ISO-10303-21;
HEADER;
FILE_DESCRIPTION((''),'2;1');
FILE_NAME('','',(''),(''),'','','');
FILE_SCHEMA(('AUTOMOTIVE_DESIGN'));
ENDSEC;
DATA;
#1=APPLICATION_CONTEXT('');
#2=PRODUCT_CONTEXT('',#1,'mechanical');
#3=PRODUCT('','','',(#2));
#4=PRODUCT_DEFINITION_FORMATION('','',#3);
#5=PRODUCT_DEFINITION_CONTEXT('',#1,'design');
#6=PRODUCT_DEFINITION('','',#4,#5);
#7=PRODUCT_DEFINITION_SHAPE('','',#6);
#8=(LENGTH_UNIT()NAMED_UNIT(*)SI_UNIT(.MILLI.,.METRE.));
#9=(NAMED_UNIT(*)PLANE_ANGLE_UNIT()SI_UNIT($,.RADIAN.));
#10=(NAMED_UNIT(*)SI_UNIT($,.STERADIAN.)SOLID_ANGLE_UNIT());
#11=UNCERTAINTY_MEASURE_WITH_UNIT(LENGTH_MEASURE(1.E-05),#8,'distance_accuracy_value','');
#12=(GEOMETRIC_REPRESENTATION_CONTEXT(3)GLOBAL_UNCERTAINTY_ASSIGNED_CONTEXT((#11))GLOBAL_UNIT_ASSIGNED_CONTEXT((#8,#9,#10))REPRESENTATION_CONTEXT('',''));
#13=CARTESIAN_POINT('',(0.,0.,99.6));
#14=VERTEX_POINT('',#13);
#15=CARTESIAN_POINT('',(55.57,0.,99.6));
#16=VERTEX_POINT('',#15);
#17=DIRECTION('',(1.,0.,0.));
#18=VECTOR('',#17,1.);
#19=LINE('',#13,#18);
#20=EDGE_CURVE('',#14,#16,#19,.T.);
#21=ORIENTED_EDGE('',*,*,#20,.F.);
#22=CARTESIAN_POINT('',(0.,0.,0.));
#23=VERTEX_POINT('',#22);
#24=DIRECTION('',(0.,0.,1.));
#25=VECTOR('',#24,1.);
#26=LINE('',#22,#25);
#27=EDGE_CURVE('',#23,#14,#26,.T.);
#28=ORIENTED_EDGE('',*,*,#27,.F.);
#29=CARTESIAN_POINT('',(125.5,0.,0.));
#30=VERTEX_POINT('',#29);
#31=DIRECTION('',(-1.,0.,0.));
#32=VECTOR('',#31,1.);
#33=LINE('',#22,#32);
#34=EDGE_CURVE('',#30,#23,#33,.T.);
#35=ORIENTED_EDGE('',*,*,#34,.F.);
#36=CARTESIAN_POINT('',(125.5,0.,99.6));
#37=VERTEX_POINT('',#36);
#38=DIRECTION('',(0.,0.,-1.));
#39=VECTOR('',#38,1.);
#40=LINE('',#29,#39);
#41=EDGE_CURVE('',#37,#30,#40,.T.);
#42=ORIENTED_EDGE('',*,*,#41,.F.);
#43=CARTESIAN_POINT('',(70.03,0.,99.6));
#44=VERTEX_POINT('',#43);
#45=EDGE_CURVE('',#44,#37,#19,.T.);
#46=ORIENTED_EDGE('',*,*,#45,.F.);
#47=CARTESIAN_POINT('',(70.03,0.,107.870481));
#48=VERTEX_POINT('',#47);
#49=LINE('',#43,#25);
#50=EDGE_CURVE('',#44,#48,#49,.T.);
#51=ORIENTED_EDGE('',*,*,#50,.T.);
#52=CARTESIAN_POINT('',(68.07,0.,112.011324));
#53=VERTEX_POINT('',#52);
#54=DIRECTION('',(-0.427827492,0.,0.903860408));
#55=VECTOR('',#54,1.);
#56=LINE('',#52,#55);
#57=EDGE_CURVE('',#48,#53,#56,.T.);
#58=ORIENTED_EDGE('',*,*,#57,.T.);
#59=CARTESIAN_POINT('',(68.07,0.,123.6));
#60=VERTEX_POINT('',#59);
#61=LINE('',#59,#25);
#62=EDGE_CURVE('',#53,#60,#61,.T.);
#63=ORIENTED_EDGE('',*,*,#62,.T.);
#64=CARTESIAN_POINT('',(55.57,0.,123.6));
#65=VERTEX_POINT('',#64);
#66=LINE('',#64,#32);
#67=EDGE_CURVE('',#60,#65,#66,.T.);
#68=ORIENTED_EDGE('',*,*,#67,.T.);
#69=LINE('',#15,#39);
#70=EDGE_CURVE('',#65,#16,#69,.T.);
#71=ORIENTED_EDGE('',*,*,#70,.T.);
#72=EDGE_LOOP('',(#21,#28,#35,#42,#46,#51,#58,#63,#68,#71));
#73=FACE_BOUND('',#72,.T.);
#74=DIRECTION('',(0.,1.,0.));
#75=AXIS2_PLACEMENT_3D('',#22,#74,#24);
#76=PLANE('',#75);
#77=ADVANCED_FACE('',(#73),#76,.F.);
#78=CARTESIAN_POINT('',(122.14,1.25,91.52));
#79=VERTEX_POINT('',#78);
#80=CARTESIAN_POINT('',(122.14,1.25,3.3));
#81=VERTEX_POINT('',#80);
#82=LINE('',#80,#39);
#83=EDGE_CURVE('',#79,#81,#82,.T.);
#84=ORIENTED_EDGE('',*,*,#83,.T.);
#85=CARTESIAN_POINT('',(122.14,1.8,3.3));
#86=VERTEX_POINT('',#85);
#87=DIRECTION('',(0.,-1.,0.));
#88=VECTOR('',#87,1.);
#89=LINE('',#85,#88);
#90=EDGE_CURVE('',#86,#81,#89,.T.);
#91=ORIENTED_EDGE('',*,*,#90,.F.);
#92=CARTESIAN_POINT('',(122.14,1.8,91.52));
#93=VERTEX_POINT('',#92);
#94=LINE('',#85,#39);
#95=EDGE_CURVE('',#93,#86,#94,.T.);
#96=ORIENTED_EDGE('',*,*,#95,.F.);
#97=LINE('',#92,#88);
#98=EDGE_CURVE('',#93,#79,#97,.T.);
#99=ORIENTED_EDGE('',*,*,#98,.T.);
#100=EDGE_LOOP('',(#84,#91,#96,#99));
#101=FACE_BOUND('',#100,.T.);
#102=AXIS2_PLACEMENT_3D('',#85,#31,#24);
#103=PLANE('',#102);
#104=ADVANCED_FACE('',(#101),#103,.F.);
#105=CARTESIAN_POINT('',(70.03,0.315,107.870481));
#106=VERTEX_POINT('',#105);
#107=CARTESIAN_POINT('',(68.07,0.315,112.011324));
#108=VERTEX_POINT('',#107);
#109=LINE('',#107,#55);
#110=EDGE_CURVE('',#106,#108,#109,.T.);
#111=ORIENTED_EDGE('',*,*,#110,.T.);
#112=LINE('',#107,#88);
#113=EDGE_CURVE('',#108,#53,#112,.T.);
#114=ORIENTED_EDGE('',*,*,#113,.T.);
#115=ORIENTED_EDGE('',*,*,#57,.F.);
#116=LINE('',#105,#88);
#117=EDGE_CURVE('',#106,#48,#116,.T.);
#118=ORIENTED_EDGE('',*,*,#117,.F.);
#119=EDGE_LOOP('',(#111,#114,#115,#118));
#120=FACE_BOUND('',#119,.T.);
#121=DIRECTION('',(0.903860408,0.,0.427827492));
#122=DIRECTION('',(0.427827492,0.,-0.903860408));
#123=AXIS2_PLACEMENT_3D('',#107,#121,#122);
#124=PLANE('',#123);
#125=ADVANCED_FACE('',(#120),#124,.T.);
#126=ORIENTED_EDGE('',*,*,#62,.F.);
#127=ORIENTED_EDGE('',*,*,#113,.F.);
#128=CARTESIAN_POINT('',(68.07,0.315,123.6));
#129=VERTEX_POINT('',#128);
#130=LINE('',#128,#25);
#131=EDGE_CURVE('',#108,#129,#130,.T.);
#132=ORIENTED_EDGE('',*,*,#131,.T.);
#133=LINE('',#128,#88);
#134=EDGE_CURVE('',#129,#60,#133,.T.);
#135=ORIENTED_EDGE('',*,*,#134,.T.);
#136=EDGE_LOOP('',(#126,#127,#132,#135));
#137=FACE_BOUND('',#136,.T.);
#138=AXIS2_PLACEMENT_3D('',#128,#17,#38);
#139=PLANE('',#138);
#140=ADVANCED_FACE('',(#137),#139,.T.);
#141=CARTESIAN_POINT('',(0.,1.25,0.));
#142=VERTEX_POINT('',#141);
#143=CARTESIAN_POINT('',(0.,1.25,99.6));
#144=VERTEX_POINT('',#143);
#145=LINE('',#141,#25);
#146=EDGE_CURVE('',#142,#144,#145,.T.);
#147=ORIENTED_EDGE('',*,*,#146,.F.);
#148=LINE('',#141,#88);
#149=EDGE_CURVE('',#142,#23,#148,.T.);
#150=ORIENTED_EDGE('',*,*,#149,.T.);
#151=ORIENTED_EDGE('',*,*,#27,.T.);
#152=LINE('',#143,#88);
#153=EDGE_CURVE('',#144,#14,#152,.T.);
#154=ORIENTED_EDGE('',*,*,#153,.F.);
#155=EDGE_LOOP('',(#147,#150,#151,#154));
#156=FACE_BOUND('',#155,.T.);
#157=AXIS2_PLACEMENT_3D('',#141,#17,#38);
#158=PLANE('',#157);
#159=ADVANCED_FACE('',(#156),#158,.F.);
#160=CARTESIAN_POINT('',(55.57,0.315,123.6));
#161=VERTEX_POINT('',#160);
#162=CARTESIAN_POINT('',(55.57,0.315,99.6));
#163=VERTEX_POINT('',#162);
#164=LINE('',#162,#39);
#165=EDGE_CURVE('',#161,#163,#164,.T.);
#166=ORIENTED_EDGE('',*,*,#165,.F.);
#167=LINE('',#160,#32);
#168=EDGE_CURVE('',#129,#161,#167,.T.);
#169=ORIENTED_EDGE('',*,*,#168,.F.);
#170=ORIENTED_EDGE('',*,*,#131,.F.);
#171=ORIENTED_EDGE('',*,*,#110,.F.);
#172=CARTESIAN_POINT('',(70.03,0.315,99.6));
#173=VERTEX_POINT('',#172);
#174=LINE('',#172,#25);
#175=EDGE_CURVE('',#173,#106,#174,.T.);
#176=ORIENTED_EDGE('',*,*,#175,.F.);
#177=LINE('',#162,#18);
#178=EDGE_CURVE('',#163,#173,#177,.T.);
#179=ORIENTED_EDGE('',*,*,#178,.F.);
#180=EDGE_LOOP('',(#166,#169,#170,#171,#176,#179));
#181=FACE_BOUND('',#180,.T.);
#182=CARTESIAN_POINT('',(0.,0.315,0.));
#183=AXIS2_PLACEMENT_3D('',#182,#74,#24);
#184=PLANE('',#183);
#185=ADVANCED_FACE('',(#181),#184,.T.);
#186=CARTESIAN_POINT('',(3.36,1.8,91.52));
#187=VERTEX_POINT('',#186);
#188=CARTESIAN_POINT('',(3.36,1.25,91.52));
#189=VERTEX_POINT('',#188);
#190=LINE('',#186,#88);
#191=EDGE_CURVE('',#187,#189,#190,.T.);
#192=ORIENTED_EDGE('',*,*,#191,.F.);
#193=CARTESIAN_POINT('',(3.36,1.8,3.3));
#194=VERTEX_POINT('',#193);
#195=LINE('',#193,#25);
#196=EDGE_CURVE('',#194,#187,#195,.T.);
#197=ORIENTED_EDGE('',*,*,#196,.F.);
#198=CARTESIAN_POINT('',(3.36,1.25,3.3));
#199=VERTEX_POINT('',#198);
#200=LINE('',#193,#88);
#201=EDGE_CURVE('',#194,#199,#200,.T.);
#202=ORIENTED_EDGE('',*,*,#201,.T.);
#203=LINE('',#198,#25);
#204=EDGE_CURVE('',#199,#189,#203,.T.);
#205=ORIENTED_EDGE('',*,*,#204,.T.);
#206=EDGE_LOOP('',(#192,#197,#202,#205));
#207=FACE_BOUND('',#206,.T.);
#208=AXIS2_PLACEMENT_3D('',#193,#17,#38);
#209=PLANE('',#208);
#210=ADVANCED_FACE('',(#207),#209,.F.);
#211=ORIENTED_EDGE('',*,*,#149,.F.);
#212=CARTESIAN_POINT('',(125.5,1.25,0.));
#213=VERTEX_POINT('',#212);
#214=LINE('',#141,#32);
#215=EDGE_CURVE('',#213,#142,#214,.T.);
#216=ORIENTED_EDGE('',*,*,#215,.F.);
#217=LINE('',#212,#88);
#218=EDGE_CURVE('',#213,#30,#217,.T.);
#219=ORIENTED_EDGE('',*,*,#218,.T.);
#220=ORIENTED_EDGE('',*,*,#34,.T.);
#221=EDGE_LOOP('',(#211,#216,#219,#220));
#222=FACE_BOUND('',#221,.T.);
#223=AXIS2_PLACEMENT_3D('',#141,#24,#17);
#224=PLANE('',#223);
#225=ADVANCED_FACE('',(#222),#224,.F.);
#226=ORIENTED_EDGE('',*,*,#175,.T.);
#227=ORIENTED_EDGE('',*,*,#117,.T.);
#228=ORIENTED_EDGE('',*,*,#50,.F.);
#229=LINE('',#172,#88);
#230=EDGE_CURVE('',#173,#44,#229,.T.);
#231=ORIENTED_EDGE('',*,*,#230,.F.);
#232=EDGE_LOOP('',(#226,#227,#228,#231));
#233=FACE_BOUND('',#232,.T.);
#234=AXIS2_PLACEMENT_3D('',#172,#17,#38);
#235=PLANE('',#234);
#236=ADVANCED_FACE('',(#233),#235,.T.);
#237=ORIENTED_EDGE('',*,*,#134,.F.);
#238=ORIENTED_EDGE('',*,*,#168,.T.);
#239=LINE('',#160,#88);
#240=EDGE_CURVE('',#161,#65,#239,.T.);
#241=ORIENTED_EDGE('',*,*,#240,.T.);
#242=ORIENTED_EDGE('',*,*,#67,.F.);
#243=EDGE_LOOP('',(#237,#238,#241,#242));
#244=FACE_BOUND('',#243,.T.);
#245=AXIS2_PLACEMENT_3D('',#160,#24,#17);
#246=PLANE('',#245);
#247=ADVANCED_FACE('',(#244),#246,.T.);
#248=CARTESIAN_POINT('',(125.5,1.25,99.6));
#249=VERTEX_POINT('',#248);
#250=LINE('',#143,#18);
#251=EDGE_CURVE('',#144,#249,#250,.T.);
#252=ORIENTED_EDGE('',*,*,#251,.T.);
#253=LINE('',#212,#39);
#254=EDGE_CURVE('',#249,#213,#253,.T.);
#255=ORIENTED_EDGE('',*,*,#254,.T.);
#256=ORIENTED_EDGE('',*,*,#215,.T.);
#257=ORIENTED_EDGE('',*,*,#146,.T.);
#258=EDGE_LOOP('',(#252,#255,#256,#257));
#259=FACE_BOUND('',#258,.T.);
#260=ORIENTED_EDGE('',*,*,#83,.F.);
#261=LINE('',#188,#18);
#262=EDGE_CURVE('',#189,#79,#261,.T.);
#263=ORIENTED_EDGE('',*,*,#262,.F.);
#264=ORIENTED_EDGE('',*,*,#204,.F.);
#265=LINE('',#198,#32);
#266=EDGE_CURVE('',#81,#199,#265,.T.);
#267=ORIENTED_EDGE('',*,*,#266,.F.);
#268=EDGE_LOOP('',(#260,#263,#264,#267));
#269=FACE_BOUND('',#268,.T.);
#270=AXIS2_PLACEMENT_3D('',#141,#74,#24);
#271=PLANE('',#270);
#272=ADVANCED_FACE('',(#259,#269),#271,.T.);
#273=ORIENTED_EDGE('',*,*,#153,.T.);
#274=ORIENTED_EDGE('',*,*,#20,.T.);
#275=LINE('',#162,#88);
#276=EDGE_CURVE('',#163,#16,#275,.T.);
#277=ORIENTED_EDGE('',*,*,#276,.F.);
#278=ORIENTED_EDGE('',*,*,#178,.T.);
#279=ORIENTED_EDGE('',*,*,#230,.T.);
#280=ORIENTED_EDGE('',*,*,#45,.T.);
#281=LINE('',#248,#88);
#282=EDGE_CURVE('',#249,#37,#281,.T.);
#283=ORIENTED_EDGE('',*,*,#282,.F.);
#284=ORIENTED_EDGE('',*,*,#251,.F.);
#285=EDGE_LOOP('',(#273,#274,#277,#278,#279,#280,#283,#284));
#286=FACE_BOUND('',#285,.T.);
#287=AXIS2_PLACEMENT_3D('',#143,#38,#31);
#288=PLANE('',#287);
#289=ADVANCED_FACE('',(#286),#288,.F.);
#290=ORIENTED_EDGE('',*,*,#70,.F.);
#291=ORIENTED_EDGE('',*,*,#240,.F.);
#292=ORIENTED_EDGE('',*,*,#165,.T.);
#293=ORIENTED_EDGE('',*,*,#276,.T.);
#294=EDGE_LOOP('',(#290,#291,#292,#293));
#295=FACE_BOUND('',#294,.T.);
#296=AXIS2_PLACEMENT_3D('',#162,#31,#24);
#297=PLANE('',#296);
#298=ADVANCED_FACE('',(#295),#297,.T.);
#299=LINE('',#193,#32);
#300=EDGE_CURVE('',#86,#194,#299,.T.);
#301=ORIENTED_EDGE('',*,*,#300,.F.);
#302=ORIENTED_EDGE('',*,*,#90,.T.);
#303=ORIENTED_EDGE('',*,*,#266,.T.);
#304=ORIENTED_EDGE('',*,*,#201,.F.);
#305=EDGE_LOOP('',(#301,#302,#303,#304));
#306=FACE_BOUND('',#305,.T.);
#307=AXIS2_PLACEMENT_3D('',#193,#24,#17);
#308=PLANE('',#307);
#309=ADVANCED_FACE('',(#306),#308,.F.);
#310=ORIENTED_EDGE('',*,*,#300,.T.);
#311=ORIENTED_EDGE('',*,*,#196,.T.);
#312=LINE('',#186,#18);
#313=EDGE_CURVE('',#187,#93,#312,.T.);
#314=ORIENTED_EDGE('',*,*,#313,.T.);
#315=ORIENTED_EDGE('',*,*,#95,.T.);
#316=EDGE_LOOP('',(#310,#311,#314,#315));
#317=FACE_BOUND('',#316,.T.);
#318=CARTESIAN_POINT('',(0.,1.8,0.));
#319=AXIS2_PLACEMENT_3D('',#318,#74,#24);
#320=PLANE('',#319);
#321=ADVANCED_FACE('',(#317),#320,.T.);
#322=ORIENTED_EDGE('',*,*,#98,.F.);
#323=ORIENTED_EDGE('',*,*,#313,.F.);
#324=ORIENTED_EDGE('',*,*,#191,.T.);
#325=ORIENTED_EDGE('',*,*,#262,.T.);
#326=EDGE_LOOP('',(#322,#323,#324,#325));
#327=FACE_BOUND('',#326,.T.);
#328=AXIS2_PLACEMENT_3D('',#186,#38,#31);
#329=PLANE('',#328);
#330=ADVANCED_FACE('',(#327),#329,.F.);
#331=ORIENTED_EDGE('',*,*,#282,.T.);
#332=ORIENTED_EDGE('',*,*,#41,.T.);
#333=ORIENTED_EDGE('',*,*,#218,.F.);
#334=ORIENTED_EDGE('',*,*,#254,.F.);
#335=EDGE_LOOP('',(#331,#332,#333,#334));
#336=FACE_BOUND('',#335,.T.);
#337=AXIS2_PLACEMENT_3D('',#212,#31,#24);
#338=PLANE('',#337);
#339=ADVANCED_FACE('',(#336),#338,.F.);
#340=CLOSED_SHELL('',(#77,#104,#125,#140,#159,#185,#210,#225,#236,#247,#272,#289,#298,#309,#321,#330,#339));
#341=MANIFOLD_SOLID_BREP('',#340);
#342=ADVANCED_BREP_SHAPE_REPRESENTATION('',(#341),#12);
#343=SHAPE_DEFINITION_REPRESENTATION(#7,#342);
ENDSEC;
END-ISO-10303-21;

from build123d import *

# Parameters (mm, degrees)
SKETCH1_W           = 125.5
SKETCH1_H           = 99.6
BOSS_EXTRUDE1_DEPTH = 1.25
SKETCH2_W           = 118.78
SKETCH2_H           = 88.22
BOSS_EXTRUDE2_DEPTH = 0.55
BOSS_EXTRUDE3_DEPTH = 0.315


with BuildPart() as part:
    # Sketch1 → Boss-Extrude1 (new body)
    with BuildSketch(Plane(origin=(0, 0, 0), x_dir=(1, 0, 0), z_dir=(0, 1, 0))):
        with Locations((62.75, -49.8)):
            Rectangle(SKETCH1_W, SKETCH1_H)
    extrude(amount=BOSS_EXTRUDE1_DEPTH)

    # Sketch2 → Boss-Extrude2 (add)
    with BuildSketch(Plane(origin=(0, 1.25, 0), x_dir=(1, 0, 0), z_dir=(0, 1, 0))):
        with Locations((62.75, -47.41)):
            Rectangle(SKETCH2_W, SKETCH2_H)
    extrude(amount=BOSS_EXTRUDE2_DEPTH)

    # Sketch3 → Boss-Extrude3 (add)
    with BuildSketch(Plane.XZ):
        Polygon((55.57, 99.6), (70.03, 99.6), (70.03, 107.87048089), (68.07, 112.011323717), (68.07, 123.6), (55.57, 123.6), align=None)
    extrude(amount=-BOSS_EXTRUDE3_DEPTH)


solid = part.part
